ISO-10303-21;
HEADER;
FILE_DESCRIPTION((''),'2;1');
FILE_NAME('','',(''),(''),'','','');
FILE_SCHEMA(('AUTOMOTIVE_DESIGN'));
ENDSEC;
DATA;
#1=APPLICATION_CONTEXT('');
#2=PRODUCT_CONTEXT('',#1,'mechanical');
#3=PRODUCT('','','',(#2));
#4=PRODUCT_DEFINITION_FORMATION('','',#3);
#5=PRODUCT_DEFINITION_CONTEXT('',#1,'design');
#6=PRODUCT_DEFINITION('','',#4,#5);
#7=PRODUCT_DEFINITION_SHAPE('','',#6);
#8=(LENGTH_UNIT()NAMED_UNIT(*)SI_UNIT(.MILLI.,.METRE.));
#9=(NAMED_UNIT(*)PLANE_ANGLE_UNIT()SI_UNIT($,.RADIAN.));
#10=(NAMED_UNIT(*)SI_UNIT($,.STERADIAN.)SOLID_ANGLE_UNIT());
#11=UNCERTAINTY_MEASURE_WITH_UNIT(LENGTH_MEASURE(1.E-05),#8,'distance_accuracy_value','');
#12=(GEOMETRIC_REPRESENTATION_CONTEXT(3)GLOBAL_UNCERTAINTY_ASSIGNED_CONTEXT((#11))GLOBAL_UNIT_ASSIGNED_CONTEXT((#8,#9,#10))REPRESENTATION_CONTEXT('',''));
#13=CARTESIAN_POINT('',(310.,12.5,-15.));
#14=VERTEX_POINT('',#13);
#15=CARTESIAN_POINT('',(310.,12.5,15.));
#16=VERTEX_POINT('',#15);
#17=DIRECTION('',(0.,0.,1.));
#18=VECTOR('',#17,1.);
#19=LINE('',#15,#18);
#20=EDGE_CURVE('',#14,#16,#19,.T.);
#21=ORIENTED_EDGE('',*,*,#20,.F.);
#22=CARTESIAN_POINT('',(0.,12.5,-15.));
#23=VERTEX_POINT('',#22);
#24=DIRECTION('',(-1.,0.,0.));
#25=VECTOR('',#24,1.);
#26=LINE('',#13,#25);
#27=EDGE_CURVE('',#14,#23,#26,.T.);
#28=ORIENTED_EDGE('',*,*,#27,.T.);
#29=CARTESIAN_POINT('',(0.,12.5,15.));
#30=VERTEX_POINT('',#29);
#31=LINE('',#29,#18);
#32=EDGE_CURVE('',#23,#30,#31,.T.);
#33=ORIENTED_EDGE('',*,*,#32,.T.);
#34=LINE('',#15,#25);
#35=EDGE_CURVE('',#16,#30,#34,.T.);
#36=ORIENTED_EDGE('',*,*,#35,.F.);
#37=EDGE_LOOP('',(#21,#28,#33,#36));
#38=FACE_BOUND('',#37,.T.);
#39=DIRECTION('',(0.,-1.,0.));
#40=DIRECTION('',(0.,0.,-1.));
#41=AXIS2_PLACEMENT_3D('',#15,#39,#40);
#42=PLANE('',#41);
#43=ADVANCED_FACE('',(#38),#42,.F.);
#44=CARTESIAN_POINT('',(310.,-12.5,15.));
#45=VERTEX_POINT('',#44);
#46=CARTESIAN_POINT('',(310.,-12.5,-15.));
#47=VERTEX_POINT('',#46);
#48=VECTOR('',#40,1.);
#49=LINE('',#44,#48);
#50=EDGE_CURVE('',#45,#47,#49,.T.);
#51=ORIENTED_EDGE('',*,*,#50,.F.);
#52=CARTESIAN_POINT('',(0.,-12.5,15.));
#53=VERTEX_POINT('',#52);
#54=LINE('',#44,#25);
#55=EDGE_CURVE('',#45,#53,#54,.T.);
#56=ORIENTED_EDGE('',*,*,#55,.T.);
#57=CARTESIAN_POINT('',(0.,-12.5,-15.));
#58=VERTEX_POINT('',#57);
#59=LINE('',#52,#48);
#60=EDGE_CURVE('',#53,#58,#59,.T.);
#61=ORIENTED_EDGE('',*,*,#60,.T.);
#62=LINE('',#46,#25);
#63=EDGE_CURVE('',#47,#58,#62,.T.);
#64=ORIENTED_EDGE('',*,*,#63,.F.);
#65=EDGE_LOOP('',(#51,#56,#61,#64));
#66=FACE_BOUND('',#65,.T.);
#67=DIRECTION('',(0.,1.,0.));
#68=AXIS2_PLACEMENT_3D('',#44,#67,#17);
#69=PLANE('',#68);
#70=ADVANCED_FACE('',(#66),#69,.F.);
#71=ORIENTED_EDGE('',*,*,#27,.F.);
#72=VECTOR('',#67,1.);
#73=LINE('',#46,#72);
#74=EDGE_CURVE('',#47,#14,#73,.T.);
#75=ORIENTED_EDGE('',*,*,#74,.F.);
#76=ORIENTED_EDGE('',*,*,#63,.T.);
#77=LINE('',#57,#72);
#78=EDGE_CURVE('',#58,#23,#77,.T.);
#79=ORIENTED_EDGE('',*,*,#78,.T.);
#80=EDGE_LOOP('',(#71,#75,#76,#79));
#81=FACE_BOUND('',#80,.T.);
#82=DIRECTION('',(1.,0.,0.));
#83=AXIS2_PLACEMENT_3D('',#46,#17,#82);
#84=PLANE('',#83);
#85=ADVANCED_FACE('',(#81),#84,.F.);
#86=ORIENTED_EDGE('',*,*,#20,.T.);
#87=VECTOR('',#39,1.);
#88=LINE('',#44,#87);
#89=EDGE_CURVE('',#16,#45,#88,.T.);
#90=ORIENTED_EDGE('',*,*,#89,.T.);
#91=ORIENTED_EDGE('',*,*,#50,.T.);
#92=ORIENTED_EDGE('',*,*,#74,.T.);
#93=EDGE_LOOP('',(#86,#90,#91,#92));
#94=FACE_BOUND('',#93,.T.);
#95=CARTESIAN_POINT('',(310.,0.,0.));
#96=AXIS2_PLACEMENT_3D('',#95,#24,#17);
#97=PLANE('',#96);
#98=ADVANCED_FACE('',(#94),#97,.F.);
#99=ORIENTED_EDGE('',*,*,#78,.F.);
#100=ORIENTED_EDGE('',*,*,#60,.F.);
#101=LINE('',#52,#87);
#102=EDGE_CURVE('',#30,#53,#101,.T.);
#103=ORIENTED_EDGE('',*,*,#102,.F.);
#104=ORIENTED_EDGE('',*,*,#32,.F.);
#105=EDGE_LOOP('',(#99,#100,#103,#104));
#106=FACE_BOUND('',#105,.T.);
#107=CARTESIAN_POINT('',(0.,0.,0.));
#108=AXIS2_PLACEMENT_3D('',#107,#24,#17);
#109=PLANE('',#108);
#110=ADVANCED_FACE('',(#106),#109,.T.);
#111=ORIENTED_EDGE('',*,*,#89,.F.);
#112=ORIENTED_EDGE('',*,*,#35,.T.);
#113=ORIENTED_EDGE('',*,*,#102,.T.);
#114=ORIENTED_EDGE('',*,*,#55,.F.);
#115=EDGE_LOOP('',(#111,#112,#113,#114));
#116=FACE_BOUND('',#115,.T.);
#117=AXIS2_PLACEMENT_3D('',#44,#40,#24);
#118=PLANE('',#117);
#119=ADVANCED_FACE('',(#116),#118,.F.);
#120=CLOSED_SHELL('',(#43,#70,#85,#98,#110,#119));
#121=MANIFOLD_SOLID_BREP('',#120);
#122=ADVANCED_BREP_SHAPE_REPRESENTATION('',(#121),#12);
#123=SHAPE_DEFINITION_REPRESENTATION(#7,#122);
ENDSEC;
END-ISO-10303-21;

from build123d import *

# Parameters (mm, degrees)
SKETCH_2_W      = 30
SKETCH_2_H      = 25
EXTRUDE_1_DEPTH = 310


with BuildPart() as part:
    # Эскиз2 → Бобышка-Вытянуть1 (new body)
    with BuildSketch(Plane(origin=(0, 0, 0), x_dir=(0, 0, -1), z_dir=(1, 0, 0))):
        Rectangle(SKETCH_2_W, SKETCH_2_H)
    extrude(amount=EXTRUDE_1_DEPTH)


solid = part.part
